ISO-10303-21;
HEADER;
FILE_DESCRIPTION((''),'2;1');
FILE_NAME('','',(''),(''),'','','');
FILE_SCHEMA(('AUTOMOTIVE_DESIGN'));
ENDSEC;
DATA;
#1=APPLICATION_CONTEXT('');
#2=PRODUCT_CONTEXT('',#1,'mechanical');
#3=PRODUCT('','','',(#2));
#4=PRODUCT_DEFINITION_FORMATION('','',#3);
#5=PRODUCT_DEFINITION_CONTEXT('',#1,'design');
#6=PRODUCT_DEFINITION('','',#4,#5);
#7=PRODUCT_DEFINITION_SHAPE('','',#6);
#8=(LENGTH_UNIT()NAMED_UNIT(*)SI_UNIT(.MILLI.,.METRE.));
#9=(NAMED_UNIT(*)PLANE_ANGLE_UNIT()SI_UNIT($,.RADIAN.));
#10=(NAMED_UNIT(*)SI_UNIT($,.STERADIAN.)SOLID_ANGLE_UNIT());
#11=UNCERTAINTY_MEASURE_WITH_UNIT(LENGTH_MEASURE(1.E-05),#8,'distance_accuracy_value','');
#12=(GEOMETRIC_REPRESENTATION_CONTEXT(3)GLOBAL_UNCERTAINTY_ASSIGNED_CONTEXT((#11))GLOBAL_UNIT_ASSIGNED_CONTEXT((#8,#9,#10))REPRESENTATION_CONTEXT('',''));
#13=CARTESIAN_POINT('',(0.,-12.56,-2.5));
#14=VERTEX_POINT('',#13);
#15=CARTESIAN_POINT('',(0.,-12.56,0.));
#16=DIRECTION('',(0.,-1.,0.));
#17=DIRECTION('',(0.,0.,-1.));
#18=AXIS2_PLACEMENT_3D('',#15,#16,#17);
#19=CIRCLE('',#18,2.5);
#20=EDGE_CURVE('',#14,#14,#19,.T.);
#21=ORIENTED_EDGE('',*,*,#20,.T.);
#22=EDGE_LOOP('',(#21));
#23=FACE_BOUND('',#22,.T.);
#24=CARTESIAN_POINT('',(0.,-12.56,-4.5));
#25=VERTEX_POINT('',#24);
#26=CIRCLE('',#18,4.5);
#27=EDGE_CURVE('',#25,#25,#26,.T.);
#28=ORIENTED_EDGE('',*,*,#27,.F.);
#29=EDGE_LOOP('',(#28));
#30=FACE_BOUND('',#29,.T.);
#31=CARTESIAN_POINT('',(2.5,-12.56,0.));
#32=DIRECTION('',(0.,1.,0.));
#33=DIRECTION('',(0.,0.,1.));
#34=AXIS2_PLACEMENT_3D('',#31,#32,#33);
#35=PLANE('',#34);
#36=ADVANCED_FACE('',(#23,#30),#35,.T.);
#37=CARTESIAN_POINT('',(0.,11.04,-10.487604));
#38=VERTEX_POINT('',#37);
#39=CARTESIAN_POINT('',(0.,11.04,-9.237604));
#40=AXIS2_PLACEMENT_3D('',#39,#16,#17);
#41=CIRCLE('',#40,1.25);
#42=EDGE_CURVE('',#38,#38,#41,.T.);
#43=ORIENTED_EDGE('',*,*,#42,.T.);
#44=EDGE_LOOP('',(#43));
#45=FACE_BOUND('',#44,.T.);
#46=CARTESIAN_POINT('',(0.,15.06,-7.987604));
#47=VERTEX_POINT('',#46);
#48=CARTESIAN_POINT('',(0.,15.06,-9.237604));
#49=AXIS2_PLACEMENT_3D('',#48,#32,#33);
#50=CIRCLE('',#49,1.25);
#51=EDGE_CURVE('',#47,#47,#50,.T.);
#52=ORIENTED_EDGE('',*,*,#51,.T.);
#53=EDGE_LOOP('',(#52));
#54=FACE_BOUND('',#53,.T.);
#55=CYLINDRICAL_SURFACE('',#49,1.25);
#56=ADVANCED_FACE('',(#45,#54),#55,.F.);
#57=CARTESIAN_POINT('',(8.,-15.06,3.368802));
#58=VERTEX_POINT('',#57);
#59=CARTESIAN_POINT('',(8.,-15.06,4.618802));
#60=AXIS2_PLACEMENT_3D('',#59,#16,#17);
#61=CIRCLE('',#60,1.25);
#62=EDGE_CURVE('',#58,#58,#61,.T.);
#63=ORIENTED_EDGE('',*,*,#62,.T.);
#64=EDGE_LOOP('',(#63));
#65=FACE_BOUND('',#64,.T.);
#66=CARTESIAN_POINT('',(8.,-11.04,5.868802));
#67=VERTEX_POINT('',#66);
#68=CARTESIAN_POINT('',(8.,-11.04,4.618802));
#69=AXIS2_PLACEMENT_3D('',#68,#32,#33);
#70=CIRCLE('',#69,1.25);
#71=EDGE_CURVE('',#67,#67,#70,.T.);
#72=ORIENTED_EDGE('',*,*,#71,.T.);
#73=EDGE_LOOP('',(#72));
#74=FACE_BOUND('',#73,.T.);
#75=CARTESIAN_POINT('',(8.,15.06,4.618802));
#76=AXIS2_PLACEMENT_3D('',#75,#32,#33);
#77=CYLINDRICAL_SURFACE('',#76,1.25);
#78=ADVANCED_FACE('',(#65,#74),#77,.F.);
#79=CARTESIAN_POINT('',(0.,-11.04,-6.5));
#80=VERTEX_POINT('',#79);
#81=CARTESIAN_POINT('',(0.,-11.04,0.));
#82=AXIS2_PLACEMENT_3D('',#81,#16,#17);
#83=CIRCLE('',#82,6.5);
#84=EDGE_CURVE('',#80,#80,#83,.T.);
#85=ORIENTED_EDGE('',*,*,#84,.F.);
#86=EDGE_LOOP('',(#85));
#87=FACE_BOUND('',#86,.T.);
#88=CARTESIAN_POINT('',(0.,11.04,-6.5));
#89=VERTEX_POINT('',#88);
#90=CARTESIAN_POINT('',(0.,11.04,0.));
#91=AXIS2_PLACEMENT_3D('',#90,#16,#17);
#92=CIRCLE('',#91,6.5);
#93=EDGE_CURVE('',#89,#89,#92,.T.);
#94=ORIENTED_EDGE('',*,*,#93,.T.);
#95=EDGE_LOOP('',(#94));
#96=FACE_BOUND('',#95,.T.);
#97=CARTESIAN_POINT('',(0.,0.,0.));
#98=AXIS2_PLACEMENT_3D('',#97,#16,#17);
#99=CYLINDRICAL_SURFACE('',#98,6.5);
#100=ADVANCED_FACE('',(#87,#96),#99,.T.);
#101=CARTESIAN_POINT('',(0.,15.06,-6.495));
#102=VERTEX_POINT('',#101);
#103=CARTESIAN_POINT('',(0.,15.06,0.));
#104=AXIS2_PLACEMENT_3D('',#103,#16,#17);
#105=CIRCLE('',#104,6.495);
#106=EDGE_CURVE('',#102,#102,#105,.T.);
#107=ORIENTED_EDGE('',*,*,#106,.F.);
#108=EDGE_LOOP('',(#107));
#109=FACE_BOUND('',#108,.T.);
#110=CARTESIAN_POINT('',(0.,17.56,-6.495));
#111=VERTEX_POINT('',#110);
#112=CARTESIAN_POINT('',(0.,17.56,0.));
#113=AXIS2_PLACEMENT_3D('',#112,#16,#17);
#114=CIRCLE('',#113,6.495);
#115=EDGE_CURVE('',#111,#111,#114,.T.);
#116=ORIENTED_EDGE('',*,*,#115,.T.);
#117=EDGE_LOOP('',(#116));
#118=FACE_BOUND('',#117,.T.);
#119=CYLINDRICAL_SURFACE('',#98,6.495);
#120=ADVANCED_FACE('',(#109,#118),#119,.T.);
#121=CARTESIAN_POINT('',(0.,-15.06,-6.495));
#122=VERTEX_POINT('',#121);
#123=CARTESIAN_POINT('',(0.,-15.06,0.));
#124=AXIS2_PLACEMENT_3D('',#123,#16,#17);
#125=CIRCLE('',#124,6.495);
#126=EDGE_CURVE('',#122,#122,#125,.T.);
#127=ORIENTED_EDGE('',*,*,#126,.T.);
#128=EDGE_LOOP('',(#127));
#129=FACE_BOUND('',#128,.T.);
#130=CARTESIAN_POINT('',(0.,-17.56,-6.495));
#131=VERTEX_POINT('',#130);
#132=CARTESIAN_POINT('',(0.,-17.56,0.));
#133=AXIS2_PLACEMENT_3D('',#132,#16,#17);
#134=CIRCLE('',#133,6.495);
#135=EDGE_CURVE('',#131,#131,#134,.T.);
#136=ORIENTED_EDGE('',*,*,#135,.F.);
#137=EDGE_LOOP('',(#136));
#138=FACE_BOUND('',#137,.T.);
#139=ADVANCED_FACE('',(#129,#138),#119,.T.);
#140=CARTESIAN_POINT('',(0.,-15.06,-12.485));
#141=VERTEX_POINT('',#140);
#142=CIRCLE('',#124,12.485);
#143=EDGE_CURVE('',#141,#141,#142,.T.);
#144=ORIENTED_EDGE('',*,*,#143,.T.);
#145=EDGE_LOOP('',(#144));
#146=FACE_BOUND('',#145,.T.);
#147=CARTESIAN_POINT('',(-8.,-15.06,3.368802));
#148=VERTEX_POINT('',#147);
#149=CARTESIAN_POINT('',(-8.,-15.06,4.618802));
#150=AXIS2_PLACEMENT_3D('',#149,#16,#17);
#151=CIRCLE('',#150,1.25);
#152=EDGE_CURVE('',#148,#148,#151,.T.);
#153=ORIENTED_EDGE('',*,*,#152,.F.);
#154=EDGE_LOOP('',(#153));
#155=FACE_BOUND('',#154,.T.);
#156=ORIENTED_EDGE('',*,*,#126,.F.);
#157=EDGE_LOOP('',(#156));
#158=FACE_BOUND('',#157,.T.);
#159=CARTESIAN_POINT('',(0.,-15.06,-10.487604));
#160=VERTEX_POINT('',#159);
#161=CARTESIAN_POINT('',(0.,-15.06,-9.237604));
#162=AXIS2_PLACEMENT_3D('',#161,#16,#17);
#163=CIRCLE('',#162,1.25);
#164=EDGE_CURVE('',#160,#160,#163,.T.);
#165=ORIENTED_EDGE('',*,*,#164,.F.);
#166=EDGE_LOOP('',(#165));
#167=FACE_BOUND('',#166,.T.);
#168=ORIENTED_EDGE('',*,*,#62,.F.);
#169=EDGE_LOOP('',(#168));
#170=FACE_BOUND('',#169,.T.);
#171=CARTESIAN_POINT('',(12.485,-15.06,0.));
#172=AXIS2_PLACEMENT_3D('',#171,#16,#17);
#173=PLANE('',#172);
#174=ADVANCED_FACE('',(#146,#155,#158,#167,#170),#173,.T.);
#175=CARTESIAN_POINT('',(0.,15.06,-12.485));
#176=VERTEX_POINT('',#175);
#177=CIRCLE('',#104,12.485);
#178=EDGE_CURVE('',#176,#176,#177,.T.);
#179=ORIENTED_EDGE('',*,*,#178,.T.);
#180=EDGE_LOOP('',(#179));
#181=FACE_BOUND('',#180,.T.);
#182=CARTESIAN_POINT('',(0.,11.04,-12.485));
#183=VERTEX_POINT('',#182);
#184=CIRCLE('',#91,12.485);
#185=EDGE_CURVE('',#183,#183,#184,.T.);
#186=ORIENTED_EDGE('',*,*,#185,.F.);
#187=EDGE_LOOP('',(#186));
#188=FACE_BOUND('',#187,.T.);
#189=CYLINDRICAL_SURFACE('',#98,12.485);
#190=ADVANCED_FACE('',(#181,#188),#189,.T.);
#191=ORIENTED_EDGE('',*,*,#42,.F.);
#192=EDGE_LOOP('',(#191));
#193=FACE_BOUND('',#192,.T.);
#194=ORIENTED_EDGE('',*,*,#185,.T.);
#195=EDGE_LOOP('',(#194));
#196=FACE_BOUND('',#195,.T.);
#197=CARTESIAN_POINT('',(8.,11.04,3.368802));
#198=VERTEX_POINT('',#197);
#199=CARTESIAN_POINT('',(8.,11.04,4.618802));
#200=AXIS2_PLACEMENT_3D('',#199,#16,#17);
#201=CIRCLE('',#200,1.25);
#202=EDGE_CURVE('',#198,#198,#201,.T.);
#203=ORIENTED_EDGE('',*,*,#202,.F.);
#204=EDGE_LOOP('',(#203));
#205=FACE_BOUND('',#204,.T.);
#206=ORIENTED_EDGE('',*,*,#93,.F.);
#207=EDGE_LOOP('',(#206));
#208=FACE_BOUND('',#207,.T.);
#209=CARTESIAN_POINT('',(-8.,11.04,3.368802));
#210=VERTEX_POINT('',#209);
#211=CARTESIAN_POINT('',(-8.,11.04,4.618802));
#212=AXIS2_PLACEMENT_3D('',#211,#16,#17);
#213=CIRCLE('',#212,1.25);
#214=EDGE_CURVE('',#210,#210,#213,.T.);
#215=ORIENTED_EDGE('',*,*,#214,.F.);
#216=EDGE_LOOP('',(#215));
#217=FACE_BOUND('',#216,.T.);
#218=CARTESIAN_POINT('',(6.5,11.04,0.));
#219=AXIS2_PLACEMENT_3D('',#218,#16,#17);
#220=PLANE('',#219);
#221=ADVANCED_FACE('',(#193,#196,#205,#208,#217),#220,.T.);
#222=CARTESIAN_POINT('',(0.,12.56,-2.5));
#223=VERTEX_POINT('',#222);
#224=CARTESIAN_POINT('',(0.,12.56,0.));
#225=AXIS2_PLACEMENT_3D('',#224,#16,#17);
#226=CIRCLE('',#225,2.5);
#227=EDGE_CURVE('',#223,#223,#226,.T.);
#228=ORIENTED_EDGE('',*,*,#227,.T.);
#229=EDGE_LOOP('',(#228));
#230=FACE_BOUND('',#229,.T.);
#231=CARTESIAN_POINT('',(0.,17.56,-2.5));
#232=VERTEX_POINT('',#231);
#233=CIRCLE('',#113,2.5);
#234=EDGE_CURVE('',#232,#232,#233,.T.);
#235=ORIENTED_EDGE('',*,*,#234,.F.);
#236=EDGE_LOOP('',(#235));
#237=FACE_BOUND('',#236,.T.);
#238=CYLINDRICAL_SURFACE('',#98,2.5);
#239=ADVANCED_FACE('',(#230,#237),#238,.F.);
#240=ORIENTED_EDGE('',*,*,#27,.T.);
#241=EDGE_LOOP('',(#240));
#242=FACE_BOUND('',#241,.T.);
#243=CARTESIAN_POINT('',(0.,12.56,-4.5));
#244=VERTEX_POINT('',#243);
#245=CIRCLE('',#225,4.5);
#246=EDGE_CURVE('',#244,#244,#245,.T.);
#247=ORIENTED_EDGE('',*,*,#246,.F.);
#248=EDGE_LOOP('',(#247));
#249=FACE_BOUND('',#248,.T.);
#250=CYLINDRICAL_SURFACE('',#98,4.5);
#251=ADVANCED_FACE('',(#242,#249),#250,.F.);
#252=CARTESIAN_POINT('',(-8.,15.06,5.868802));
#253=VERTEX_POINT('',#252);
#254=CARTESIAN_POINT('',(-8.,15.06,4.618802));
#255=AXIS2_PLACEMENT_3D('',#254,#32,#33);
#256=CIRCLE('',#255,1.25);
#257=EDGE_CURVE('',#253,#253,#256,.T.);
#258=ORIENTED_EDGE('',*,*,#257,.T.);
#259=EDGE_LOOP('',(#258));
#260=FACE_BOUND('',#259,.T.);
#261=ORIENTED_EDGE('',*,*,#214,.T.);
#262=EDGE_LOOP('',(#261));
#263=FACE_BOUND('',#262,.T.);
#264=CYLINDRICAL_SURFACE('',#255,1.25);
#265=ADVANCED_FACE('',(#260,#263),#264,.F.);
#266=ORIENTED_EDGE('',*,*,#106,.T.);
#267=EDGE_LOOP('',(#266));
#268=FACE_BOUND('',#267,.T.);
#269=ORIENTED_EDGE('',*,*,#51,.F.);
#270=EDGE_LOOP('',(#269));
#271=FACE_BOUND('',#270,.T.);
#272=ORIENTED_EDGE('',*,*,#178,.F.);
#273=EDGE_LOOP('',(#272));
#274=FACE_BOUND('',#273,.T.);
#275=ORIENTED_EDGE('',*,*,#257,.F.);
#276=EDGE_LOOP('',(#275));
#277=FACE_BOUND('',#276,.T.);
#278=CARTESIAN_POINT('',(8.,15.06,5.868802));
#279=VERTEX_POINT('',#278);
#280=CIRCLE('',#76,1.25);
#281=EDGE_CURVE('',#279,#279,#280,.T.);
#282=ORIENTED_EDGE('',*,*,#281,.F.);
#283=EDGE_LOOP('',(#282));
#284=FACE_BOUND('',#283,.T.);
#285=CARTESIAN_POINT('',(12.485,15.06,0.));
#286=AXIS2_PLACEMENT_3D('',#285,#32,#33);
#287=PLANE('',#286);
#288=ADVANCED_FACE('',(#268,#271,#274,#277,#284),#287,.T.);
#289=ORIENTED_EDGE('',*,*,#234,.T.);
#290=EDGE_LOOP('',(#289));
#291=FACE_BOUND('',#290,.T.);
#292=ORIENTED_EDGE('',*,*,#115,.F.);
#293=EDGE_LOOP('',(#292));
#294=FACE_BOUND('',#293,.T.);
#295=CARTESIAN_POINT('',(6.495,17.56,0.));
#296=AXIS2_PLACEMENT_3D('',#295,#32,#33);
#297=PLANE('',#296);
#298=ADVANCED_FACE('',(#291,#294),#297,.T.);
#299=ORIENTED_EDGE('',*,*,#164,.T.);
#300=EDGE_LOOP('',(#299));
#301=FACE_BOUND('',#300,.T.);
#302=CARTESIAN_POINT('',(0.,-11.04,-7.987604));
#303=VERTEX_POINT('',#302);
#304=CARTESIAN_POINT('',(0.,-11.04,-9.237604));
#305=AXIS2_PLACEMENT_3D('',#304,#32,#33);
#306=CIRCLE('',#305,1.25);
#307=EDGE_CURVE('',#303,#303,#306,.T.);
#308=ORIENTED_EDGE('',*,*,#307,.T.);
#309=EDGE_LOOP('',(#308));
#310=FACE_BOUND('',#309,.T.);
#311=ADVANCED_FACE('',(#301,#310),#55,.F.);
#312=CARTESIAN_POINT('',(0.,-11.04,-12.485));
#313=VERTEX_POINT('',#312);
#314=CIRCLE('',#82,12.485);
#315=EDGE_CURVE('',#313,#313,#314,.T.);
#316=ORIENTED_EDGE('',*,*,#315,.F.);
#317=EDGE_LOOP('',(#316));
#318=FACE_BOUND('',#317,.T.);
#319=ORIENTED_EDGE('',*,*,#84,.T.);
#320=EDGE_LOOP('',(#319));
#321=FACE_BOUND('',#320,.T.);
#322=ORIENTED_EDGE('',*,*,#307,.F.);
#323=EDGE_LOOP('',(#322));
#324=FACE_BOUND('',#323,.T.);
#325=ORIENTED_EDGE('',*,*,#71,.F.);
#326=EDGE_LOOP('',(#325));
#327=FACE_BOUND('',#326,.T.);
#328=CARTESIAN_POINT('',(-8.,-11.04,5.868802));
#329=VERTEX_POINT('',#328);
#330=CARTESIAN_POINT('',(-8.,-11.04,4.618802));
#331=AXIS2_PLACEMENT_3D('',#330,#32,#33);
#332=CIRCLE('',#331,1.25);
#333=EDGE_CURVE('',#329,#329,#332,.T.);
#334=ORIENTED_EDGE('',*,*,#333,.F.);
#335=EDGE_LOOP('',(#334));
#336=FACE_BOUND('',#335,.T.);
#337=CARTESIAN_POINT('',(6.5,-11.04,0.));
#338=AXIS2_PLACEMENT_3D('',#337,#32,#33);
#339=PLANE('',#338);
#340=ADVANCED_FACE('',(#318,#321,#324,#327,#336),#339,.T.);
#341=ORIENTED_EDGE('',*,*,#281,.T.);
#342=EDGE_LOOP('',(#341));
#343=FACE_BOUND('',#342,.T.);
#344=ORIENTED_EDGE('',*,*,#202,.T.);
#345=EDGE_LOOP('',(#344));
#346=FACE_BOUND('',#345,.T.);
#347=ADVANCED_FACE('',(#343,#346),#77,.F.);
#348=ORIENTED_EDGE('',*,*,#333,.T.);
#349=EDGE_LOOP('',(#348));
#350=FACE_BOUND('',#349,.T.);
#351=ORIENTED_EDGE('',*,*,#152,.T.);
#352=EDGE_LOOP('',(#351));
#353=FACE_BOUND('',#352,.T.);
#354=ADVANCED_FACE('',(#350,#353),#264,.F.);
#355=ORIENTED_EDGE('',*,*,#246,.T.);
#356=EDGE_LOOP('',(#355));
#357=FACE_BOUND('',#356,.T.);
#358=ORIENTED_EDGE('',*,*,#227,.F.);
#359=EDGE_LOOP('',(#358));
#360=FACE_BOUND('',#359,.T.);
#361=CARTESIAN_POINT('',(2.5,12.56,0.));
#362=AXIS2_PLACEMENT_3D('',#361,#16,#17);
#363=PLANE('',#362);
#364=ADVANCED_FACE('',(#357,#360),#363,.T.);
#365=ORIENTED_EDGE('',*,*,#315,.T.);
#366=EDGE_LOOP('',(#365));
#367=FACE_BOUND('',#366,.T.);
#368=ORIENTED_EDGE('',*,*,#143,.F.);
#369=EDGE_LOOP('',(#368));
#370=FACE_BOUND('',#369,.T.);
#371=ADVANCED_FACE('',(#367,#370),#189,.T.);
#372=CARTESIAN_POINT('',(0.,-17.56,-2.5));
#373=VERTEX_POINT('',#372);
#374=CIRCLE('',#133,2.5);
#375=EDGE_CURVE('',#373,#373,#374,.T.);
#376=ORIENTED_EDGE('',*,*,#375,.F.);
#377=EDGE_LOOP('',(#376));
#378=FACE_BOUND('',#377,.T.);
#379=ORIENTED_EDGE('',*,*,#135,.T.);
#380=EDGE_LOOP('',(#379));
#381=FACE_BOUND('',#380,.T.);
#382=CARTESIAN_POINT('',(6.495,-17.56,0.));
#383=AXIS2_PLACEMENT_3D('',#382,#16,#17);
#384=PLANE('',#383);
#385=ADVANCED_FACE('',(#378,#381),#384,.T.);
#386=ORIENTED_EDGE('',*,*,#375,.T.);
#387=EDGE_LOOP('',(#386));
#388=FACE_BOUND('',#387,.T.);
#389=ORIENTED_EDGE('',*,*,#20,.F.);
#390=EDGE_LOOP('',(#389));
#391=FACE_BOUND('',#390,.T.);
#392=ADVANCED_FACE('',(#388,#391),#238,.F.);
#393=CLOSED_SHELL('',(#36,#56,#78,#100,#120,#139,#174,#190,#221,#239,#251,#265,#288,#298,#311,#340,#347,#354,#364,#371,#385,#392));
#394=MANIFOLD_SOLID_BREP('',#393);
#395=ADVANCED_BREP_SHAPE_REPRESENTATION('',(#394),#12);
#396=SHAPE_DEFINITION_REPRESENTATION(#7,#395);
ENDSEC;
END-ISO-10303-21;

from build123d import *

# Parameters (mm, degrees)
FORO_FILETTATO_M3X0_5_1_D = 2.5


with BuildPart() as part:
    # Schizzo1 → Rivoluzione1 (revolve)
    with BuildSketch(Plane.XY, mode=Mode.PRIVATE) as rivoluzione1_sk:
        Polygon((2.5, -12.56), (4.5, -12.56), (4.5, 12.56), (2.5, 12.56), (2.5, 17.56), (6.495, 17.56), (6.495, 15.06), (12.485, 15.06), (12.485, 11.04), (6.5, 11.04), (6.5, -11.04), (12.485, -11.04), (12.485, -15.06), (6.495, -15.06), (6.495, -17.56), (2.5, -17.56), align=None)
    revolve(rivoluzione1_sk.sketch.rotate(Axis((0, 0, 0), (0, 1, 0)), 90), axis=Axis((0, 0, 0), (0, 1, 0)))

    # Foro filettato M3x0.5-1 (through all)
    with Locations(Plane(origin=(0, 15.06, 0), x_dir=(1, 0, 0), z_dir=(0, 1, 0))):
        with Locations((0, 9.237604307), (8, -4.618802154), (-8, -4.618802154)):
            Hole(FORO_FILETTATO_M3X0_5_1_D / 2)


solid = part.part
